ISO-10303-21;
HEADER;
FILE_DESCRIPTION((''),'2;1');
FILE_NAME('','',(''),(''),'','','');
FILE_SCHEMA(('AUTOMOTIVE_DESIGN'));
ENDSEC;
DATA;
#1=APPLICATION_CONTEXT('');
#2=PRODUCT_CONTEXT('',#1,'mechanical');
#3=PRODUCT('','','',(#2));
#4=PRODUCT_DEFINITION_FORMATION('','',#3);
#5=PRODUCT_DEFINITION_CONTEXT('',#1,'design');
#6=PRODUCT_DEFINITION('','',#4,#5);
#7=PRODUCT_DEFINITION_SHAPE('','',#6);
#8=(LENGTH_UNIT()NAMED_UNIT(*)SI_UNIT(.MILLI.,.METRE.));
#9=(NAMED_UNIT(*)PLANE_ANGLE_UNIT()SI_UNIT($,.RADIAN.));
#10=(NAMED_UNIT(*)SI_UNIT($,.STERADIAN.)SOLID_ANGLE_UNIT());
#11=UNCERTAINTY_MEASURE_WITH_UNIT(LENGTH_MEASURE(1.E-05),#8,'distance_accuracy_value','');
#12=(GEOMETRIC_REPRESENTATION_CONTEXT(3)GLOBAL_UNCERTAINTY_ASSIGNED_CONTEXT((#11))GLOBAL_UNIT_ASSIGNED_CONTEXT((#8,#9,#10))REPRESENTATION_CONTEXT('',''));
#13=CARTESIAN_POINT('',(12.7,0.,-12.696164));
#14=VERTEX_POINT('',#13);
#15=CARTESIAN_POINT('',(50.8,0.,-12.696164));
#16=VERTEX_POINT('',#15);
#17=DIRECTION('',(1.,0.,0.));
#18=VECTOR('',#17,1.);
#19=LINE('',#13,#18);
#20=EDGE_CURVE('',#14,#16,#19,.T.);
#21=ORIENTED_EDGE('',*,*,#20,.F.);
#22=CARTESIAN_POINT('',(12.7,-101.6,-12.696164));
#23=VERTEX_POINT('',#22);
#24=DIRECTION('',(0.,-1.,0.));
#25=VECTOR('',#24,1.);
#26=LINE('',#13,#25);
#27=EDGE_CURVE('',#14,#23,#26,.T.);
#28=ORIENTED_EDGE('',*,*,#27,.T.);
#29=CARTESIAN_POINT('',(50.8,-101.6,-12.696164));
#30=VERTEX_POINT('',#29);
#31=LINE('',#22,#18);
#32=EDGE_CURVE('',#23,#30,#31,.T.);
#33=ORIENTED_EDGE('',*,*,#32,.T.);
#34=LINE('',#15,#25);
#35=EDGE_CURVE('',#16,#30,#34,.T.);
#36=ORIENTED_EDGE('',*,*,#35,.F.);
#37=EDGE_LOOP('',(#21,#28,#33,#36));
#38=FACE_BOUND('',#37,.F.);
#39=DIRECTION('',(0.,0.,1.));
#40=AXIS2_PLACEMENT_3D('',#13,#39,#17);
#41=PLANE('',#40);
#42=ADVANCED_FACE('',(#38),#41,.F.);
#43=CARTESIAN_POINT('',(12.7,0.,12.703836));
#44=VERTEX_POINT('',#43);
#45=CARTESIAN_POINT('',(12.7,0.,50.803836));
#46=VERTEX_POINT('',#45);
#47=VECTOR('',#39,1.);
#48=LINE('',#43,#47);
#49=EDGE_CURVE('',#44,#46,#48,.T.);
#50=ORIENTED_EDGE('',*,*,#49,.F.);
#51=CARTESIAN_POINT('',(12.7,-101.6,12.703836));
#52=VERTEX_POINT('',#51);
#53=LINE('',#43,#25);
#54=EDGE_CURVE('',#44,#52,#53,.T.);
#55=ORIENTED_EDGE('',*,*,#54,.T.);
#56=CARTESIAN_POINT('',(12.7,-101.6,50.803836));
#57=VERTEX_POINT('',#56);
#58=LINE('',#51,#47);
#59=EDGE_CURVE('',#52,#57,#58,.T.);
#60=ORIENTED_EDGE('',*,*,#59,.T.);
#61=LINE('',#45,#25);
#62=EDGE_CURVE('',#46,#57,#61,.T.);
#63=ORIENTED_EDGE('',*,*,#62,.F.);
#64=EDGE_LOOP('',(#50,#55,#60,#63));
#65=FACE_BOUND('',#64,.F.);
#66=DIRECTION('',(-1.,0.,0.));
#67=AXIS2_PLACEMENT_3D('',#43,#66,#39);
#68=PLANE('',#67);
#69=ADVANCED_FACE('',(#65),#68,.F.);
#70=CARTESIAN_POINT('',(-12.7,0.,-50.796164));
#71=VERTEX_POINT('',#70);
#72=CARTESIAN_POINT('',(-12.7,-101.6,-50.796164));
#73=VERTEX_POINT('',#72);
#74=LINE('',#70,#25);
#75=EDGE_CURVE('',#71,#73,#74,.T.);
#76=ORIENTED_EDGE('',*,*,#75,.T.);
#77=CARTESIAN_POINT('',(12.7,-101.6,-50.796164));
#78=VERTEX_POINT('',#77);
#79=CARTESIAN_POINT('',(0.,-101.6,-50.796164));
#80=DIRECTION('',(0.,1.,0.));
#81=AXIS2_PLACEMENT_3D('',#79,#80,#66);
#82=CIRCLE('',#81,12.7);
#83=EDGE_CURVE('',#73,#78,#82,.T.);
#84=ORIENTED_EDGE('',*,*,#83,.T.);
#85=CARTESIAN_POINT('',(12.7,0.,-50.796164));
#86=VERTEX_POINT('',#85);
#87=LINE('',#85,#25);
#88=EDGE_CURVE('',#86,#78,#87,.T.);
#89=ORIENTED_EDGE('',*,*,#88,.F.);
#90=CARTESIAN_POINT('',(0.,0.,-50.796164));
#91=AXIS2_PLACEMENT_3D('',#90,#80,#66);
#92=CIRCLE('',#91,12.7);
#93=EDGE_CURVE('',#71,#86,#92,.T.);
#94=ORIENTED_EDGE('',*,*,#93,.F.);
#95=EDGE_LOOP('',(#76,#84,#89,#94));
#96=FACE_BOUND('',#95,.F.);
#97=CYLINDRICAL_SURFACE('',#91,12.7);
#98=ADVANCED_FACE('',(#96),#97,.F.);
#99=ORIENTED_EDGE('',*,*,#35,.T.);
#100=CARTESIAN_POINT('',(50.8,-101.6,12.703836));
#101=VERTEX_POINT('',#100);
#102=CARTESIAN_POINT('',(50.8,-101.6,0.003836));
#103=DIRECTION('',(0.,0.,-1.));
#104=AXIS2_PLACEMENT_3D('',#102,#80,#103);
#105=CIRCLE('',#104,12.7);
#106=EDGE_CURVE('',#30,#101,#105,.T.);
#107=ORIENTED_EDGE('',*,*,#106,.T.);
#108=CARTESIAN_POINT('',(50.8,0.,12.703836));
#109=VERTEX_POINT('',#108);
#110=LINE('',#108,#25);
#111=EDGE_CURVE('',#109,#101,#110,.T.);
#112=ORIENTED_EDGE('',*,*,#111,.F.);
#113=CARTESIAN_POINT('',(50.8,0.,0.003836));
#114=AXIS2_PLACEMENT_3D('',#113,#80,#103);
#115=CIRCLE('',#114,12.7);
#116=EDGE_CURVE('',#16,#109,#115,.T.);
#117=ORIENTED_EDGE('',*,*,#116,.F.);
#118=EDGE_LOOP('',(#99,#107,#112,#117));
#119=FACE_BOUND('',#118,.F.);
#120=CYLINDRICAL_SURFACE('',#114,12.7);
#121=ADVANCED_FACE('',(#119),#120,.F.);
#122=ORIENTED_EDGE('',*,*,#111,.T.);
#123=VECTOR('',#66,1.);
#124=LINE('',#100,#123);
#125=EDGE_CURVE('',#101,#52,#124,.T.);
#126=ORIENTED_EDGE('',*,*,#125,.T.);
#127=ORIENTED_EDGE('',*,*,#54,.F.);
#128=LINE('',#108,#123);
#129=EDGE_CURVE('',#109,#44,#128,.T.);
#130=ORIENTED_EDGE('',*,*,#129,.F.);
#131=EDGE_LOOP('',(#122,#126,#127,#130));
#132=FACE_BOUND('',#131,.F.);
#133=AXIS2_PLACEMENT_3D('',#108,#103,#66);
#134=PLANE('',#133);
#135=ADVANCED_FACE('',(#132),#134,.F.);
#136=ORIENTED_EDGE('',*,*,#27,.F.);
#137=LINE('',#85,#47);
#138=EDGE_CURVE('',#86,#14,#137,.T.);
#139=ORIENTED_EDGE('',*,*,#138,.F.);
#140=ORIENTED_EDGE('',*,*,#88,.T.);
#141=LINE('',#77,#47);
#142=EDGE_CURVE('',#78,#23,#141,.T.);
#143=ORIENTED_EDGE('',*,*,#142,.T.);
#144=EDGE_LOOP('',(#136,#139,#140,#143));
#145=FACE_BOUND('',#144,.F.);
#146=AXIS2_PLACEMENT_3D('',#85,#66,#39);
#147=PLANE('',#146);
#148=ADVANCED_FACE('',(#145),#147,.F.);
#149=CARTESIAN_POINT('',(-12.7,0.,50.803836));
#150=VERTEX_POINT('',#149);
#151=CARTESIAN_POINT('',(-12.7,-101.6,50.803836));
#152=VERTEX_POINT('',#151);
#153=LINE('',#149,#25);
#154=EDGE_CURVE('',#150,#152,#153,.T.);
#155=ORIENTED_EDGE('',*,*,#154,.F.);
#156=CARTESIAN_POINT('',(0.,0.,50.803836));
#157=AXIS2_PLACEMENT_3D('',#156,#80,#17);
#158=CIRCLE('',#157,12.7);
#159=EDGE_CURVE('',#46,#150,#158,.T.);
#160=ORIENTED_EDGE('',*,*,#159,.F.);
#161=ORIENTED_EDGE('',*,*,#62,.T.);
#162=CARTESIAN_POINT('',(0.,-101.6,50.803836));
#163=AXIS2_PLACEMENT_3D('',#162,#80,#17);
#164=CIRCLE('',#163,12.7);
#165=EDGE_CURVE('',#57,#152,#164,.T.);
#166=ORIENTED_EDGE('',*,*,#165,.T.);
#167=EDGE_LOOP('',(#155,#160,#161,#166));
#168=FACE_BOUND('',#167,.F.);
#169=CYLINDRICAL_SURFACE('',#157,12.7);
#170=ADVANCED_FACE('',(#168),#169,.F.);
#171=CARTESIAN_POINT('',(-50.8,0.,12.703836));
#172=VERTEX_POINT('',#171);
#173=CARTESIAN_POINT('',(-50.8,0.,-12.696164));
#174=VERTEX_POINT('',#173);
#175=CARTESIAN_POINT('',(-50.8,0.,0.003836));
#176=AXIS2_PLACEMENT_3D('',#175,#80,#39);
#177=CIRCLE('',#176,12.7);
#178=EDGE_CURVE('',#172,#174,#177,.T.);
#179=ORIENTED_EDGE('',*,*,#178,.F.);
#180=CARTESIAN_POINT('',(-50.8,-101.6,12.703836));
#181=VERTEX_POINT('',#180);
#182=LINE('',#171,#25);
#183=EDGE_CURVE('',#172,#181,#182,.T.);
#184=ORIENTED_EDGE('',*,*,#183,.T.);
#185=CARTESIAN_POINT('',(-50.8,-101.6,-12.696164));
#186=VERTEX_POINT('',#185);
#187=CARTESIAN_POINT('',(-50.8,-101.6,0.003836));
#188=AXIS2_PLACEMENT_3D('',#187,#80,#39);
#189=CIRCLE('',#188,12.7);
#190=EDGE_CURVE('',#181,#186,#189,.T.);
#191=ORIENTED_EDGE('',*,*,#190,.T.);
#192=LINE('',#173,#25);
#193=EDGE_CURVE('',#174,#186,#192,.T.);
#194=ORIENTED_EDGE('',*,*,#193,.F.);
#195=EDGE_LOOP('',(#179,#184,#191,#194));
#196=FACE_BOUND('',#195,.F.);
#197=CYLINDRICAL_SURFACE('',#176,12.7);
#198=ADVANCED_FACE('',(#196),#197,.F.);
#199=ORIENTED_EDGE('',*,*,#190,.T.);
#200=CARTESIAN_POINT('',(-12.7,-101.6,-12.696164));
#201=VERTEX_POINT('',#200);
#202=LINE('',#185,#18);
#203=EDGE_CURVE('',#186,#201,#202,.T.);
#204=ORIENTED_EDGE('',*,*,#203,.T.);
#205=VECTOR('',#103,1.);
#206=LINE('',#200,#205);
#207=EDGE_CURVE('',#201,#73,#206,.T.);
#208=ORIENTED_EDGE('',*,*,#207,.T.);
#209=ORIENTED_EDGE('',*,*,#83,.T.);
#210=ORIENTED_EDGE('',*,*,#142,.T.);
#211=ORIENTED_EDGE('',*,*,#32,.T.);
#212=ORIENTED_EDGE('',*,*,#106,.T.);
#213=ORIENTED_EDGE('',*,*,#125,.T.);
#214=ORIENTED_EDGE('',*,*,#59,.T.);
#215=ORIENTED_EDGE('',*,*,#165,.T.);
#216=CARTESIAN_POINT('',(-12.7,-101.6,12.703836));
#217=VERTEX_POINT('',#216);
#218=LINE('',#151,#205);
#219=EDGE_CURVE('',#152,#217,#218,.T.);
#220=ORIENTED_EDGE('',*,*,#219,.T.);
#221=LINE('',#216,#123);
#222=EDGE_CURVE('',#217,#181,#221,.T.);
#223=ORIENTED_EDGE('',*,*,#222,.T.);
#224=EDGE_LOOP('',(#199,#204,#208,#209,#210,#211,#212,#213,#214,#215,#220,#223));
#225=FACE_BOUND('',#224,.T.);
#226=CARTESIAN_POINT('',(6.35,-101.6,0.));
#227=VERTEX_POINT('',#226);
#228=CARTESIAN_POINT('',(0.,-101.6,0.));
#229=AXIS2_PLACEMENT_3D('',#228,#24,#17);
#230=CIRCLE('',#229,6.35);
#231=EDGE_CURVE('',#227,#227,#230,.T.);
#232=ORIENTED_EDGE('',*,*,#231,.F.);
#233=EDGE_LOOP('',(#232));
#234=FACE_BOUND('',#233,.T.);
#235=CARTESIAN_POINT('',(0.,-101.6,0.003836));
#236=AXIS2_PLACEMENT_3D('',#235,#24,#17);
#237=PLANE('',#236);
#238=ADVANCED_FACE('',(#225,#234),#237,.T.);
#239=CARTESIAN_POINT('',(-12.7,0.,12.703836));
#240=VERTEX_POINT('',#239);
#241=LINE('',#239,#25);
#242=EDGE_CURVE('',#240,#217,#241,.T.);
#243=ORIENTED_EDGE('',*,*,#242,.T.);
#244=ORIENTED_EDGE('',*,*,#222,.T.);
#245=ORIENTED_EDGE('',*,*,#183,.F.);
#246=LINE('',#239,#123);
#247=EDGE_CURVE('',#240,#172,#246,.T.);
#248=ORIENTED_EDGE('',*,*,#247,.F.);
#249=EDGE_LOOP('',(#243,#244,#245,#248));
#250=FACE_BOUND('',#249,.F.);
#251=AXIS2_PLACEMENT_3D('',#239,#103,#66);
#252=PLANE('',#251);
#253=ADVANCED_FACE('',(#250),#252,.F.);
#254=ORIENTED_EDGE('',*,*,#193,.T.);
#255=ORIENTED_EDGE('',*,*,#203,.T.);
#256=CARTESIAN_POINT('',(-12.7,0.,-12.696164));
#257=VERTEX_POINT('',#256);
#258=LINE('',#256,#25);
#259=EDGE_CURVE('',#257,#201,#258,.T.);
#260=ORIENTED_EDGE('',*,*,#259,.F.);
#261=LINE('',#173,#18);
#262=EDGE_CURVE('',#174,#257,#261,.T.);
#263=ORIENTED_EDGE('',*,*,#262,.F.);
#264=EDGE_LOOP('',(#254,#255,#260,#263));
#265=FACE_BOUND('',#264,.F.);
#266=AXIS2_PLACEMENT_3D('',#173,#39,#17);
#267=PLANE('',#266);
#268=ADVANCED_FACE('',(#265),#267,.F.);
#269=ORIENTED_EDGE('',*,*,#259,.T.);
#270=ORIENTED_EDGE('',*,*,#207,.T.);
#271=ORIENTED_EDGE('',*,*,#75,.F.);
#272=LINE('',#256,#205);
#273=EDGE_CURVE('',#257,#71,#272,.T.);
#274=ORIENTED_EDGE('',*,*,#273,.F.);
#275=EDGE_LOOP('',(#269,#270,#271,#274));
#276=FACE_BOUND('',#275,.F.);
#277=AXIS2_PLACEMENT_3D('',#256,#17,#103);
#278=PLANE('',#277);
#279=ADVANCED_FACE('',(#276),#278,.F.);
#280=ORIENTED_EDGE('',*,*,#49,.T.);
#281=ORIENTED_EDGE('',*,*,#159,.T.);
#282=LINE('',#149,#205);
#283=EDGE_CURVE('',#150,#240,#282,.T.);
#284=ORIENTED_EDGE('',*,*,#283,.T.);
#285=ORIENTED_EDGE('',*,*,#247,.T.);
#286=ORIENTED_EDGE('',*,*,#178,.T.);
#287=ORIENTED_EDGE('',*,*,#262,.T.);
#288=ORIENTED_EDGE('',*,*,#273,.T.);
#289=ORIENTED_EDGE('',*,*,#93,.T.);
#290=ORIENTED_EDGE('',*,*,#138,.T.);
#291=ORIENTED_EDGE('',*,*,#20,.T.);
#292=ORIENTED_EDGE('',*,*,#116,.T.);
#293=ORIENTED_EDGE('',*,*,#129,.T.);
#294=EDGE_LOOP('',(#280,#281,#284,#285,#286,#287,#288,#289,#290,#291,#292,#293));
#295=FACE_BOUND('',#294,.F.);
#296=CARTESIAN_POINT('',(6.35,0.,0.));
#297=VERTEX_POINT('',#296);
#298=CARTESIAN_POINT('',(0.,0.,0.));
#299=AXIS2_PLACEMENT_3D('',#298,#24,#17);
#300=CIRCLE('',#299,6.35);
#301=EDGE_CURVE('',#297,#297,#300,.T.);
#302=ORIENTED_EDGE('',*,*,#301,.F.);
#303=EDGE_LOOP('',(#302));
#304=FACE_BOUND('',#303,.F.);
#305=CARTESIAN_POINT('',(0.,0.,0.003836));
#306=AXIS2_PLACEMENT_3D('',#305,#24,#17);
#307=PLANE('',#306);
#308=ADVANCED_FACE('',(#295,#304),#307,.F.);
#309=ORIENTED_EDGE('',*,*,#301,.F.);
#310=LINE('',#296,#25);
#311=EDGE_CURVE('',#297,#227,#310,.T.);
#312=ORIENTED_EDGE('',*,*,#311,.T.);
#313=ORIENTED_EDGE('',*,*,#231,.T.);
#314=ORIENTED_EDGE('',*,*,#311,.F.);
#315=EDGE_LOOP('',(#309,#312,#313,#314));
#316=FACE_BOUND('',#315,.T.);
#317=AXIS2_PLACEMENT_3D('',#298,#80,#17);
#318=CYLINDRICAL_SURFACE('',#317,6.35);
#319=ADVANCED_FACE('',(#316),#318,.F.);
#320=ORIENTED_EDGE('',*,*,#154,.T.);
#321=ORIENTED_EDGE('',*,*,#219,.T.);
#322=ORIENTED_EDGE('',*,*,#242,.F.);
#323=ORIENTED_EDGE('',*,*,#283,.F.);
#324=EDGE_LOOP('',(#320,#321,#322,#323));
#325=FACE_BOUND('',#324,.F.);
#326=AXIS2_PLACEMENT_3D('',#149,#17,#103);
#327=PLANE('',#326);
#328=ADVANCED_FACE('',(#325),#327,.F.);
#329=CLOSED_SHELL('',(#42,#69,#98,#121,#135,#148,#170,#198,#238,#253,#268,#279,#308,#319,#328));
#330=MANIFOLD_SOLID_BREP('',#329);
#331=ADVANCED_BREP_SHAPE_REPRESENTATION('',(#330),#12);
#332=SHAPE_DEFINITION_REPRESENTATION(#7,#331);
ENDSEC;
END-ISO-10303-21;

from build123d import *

# Parameters (mm, degrees)
F0_R     = 6.35
F1_DEPTH = 101.6


with BuildPart() as f1:
    # F0 (on Front) → F1 (new body)
    with BuildSketch(Plane.XZ):
        with BuildLine():
            Line((-12.7, 50.803836), (-12.7, 12.703836))
            Line((-12.7, 12.703836), (-50.8, 12.703836))
            ThreePointArc((-50.8, 12.703836), (-38.1, 0.003836), (-50.8, -12.696164))
            Line((-50.8, -12.696164), (-12.7, -12.696164))
            Line((-12.7, -12.696164), (-12.7, -50.796164))
            ThreePointArc((-12.7, -50.796164), (0, -38.096164), (12.7, -50.796164))
            Line((12.7, -50.796164), (12.7, -12.696164))
            Line((12.7, -12.696164), (50.8, -12.696164))
            ThreePointArc((50.8, -12.696164), (38.1, 0.003836), (50.8, 12.703836))
            Line((50.8, 12.703836), (12.7, 12.703836))
            Line((12.7, 12.703836), (12.7, 50.803836))
            ThreePointArc((12.7, 50.803836), (0, 38.103836), (-12.7, 50.803836))
        make_face()
        Circle(F0_R, mode=Mode.SUBTRACT)
    extrude(amount=F1_DEPTH)


solid = f1.part
